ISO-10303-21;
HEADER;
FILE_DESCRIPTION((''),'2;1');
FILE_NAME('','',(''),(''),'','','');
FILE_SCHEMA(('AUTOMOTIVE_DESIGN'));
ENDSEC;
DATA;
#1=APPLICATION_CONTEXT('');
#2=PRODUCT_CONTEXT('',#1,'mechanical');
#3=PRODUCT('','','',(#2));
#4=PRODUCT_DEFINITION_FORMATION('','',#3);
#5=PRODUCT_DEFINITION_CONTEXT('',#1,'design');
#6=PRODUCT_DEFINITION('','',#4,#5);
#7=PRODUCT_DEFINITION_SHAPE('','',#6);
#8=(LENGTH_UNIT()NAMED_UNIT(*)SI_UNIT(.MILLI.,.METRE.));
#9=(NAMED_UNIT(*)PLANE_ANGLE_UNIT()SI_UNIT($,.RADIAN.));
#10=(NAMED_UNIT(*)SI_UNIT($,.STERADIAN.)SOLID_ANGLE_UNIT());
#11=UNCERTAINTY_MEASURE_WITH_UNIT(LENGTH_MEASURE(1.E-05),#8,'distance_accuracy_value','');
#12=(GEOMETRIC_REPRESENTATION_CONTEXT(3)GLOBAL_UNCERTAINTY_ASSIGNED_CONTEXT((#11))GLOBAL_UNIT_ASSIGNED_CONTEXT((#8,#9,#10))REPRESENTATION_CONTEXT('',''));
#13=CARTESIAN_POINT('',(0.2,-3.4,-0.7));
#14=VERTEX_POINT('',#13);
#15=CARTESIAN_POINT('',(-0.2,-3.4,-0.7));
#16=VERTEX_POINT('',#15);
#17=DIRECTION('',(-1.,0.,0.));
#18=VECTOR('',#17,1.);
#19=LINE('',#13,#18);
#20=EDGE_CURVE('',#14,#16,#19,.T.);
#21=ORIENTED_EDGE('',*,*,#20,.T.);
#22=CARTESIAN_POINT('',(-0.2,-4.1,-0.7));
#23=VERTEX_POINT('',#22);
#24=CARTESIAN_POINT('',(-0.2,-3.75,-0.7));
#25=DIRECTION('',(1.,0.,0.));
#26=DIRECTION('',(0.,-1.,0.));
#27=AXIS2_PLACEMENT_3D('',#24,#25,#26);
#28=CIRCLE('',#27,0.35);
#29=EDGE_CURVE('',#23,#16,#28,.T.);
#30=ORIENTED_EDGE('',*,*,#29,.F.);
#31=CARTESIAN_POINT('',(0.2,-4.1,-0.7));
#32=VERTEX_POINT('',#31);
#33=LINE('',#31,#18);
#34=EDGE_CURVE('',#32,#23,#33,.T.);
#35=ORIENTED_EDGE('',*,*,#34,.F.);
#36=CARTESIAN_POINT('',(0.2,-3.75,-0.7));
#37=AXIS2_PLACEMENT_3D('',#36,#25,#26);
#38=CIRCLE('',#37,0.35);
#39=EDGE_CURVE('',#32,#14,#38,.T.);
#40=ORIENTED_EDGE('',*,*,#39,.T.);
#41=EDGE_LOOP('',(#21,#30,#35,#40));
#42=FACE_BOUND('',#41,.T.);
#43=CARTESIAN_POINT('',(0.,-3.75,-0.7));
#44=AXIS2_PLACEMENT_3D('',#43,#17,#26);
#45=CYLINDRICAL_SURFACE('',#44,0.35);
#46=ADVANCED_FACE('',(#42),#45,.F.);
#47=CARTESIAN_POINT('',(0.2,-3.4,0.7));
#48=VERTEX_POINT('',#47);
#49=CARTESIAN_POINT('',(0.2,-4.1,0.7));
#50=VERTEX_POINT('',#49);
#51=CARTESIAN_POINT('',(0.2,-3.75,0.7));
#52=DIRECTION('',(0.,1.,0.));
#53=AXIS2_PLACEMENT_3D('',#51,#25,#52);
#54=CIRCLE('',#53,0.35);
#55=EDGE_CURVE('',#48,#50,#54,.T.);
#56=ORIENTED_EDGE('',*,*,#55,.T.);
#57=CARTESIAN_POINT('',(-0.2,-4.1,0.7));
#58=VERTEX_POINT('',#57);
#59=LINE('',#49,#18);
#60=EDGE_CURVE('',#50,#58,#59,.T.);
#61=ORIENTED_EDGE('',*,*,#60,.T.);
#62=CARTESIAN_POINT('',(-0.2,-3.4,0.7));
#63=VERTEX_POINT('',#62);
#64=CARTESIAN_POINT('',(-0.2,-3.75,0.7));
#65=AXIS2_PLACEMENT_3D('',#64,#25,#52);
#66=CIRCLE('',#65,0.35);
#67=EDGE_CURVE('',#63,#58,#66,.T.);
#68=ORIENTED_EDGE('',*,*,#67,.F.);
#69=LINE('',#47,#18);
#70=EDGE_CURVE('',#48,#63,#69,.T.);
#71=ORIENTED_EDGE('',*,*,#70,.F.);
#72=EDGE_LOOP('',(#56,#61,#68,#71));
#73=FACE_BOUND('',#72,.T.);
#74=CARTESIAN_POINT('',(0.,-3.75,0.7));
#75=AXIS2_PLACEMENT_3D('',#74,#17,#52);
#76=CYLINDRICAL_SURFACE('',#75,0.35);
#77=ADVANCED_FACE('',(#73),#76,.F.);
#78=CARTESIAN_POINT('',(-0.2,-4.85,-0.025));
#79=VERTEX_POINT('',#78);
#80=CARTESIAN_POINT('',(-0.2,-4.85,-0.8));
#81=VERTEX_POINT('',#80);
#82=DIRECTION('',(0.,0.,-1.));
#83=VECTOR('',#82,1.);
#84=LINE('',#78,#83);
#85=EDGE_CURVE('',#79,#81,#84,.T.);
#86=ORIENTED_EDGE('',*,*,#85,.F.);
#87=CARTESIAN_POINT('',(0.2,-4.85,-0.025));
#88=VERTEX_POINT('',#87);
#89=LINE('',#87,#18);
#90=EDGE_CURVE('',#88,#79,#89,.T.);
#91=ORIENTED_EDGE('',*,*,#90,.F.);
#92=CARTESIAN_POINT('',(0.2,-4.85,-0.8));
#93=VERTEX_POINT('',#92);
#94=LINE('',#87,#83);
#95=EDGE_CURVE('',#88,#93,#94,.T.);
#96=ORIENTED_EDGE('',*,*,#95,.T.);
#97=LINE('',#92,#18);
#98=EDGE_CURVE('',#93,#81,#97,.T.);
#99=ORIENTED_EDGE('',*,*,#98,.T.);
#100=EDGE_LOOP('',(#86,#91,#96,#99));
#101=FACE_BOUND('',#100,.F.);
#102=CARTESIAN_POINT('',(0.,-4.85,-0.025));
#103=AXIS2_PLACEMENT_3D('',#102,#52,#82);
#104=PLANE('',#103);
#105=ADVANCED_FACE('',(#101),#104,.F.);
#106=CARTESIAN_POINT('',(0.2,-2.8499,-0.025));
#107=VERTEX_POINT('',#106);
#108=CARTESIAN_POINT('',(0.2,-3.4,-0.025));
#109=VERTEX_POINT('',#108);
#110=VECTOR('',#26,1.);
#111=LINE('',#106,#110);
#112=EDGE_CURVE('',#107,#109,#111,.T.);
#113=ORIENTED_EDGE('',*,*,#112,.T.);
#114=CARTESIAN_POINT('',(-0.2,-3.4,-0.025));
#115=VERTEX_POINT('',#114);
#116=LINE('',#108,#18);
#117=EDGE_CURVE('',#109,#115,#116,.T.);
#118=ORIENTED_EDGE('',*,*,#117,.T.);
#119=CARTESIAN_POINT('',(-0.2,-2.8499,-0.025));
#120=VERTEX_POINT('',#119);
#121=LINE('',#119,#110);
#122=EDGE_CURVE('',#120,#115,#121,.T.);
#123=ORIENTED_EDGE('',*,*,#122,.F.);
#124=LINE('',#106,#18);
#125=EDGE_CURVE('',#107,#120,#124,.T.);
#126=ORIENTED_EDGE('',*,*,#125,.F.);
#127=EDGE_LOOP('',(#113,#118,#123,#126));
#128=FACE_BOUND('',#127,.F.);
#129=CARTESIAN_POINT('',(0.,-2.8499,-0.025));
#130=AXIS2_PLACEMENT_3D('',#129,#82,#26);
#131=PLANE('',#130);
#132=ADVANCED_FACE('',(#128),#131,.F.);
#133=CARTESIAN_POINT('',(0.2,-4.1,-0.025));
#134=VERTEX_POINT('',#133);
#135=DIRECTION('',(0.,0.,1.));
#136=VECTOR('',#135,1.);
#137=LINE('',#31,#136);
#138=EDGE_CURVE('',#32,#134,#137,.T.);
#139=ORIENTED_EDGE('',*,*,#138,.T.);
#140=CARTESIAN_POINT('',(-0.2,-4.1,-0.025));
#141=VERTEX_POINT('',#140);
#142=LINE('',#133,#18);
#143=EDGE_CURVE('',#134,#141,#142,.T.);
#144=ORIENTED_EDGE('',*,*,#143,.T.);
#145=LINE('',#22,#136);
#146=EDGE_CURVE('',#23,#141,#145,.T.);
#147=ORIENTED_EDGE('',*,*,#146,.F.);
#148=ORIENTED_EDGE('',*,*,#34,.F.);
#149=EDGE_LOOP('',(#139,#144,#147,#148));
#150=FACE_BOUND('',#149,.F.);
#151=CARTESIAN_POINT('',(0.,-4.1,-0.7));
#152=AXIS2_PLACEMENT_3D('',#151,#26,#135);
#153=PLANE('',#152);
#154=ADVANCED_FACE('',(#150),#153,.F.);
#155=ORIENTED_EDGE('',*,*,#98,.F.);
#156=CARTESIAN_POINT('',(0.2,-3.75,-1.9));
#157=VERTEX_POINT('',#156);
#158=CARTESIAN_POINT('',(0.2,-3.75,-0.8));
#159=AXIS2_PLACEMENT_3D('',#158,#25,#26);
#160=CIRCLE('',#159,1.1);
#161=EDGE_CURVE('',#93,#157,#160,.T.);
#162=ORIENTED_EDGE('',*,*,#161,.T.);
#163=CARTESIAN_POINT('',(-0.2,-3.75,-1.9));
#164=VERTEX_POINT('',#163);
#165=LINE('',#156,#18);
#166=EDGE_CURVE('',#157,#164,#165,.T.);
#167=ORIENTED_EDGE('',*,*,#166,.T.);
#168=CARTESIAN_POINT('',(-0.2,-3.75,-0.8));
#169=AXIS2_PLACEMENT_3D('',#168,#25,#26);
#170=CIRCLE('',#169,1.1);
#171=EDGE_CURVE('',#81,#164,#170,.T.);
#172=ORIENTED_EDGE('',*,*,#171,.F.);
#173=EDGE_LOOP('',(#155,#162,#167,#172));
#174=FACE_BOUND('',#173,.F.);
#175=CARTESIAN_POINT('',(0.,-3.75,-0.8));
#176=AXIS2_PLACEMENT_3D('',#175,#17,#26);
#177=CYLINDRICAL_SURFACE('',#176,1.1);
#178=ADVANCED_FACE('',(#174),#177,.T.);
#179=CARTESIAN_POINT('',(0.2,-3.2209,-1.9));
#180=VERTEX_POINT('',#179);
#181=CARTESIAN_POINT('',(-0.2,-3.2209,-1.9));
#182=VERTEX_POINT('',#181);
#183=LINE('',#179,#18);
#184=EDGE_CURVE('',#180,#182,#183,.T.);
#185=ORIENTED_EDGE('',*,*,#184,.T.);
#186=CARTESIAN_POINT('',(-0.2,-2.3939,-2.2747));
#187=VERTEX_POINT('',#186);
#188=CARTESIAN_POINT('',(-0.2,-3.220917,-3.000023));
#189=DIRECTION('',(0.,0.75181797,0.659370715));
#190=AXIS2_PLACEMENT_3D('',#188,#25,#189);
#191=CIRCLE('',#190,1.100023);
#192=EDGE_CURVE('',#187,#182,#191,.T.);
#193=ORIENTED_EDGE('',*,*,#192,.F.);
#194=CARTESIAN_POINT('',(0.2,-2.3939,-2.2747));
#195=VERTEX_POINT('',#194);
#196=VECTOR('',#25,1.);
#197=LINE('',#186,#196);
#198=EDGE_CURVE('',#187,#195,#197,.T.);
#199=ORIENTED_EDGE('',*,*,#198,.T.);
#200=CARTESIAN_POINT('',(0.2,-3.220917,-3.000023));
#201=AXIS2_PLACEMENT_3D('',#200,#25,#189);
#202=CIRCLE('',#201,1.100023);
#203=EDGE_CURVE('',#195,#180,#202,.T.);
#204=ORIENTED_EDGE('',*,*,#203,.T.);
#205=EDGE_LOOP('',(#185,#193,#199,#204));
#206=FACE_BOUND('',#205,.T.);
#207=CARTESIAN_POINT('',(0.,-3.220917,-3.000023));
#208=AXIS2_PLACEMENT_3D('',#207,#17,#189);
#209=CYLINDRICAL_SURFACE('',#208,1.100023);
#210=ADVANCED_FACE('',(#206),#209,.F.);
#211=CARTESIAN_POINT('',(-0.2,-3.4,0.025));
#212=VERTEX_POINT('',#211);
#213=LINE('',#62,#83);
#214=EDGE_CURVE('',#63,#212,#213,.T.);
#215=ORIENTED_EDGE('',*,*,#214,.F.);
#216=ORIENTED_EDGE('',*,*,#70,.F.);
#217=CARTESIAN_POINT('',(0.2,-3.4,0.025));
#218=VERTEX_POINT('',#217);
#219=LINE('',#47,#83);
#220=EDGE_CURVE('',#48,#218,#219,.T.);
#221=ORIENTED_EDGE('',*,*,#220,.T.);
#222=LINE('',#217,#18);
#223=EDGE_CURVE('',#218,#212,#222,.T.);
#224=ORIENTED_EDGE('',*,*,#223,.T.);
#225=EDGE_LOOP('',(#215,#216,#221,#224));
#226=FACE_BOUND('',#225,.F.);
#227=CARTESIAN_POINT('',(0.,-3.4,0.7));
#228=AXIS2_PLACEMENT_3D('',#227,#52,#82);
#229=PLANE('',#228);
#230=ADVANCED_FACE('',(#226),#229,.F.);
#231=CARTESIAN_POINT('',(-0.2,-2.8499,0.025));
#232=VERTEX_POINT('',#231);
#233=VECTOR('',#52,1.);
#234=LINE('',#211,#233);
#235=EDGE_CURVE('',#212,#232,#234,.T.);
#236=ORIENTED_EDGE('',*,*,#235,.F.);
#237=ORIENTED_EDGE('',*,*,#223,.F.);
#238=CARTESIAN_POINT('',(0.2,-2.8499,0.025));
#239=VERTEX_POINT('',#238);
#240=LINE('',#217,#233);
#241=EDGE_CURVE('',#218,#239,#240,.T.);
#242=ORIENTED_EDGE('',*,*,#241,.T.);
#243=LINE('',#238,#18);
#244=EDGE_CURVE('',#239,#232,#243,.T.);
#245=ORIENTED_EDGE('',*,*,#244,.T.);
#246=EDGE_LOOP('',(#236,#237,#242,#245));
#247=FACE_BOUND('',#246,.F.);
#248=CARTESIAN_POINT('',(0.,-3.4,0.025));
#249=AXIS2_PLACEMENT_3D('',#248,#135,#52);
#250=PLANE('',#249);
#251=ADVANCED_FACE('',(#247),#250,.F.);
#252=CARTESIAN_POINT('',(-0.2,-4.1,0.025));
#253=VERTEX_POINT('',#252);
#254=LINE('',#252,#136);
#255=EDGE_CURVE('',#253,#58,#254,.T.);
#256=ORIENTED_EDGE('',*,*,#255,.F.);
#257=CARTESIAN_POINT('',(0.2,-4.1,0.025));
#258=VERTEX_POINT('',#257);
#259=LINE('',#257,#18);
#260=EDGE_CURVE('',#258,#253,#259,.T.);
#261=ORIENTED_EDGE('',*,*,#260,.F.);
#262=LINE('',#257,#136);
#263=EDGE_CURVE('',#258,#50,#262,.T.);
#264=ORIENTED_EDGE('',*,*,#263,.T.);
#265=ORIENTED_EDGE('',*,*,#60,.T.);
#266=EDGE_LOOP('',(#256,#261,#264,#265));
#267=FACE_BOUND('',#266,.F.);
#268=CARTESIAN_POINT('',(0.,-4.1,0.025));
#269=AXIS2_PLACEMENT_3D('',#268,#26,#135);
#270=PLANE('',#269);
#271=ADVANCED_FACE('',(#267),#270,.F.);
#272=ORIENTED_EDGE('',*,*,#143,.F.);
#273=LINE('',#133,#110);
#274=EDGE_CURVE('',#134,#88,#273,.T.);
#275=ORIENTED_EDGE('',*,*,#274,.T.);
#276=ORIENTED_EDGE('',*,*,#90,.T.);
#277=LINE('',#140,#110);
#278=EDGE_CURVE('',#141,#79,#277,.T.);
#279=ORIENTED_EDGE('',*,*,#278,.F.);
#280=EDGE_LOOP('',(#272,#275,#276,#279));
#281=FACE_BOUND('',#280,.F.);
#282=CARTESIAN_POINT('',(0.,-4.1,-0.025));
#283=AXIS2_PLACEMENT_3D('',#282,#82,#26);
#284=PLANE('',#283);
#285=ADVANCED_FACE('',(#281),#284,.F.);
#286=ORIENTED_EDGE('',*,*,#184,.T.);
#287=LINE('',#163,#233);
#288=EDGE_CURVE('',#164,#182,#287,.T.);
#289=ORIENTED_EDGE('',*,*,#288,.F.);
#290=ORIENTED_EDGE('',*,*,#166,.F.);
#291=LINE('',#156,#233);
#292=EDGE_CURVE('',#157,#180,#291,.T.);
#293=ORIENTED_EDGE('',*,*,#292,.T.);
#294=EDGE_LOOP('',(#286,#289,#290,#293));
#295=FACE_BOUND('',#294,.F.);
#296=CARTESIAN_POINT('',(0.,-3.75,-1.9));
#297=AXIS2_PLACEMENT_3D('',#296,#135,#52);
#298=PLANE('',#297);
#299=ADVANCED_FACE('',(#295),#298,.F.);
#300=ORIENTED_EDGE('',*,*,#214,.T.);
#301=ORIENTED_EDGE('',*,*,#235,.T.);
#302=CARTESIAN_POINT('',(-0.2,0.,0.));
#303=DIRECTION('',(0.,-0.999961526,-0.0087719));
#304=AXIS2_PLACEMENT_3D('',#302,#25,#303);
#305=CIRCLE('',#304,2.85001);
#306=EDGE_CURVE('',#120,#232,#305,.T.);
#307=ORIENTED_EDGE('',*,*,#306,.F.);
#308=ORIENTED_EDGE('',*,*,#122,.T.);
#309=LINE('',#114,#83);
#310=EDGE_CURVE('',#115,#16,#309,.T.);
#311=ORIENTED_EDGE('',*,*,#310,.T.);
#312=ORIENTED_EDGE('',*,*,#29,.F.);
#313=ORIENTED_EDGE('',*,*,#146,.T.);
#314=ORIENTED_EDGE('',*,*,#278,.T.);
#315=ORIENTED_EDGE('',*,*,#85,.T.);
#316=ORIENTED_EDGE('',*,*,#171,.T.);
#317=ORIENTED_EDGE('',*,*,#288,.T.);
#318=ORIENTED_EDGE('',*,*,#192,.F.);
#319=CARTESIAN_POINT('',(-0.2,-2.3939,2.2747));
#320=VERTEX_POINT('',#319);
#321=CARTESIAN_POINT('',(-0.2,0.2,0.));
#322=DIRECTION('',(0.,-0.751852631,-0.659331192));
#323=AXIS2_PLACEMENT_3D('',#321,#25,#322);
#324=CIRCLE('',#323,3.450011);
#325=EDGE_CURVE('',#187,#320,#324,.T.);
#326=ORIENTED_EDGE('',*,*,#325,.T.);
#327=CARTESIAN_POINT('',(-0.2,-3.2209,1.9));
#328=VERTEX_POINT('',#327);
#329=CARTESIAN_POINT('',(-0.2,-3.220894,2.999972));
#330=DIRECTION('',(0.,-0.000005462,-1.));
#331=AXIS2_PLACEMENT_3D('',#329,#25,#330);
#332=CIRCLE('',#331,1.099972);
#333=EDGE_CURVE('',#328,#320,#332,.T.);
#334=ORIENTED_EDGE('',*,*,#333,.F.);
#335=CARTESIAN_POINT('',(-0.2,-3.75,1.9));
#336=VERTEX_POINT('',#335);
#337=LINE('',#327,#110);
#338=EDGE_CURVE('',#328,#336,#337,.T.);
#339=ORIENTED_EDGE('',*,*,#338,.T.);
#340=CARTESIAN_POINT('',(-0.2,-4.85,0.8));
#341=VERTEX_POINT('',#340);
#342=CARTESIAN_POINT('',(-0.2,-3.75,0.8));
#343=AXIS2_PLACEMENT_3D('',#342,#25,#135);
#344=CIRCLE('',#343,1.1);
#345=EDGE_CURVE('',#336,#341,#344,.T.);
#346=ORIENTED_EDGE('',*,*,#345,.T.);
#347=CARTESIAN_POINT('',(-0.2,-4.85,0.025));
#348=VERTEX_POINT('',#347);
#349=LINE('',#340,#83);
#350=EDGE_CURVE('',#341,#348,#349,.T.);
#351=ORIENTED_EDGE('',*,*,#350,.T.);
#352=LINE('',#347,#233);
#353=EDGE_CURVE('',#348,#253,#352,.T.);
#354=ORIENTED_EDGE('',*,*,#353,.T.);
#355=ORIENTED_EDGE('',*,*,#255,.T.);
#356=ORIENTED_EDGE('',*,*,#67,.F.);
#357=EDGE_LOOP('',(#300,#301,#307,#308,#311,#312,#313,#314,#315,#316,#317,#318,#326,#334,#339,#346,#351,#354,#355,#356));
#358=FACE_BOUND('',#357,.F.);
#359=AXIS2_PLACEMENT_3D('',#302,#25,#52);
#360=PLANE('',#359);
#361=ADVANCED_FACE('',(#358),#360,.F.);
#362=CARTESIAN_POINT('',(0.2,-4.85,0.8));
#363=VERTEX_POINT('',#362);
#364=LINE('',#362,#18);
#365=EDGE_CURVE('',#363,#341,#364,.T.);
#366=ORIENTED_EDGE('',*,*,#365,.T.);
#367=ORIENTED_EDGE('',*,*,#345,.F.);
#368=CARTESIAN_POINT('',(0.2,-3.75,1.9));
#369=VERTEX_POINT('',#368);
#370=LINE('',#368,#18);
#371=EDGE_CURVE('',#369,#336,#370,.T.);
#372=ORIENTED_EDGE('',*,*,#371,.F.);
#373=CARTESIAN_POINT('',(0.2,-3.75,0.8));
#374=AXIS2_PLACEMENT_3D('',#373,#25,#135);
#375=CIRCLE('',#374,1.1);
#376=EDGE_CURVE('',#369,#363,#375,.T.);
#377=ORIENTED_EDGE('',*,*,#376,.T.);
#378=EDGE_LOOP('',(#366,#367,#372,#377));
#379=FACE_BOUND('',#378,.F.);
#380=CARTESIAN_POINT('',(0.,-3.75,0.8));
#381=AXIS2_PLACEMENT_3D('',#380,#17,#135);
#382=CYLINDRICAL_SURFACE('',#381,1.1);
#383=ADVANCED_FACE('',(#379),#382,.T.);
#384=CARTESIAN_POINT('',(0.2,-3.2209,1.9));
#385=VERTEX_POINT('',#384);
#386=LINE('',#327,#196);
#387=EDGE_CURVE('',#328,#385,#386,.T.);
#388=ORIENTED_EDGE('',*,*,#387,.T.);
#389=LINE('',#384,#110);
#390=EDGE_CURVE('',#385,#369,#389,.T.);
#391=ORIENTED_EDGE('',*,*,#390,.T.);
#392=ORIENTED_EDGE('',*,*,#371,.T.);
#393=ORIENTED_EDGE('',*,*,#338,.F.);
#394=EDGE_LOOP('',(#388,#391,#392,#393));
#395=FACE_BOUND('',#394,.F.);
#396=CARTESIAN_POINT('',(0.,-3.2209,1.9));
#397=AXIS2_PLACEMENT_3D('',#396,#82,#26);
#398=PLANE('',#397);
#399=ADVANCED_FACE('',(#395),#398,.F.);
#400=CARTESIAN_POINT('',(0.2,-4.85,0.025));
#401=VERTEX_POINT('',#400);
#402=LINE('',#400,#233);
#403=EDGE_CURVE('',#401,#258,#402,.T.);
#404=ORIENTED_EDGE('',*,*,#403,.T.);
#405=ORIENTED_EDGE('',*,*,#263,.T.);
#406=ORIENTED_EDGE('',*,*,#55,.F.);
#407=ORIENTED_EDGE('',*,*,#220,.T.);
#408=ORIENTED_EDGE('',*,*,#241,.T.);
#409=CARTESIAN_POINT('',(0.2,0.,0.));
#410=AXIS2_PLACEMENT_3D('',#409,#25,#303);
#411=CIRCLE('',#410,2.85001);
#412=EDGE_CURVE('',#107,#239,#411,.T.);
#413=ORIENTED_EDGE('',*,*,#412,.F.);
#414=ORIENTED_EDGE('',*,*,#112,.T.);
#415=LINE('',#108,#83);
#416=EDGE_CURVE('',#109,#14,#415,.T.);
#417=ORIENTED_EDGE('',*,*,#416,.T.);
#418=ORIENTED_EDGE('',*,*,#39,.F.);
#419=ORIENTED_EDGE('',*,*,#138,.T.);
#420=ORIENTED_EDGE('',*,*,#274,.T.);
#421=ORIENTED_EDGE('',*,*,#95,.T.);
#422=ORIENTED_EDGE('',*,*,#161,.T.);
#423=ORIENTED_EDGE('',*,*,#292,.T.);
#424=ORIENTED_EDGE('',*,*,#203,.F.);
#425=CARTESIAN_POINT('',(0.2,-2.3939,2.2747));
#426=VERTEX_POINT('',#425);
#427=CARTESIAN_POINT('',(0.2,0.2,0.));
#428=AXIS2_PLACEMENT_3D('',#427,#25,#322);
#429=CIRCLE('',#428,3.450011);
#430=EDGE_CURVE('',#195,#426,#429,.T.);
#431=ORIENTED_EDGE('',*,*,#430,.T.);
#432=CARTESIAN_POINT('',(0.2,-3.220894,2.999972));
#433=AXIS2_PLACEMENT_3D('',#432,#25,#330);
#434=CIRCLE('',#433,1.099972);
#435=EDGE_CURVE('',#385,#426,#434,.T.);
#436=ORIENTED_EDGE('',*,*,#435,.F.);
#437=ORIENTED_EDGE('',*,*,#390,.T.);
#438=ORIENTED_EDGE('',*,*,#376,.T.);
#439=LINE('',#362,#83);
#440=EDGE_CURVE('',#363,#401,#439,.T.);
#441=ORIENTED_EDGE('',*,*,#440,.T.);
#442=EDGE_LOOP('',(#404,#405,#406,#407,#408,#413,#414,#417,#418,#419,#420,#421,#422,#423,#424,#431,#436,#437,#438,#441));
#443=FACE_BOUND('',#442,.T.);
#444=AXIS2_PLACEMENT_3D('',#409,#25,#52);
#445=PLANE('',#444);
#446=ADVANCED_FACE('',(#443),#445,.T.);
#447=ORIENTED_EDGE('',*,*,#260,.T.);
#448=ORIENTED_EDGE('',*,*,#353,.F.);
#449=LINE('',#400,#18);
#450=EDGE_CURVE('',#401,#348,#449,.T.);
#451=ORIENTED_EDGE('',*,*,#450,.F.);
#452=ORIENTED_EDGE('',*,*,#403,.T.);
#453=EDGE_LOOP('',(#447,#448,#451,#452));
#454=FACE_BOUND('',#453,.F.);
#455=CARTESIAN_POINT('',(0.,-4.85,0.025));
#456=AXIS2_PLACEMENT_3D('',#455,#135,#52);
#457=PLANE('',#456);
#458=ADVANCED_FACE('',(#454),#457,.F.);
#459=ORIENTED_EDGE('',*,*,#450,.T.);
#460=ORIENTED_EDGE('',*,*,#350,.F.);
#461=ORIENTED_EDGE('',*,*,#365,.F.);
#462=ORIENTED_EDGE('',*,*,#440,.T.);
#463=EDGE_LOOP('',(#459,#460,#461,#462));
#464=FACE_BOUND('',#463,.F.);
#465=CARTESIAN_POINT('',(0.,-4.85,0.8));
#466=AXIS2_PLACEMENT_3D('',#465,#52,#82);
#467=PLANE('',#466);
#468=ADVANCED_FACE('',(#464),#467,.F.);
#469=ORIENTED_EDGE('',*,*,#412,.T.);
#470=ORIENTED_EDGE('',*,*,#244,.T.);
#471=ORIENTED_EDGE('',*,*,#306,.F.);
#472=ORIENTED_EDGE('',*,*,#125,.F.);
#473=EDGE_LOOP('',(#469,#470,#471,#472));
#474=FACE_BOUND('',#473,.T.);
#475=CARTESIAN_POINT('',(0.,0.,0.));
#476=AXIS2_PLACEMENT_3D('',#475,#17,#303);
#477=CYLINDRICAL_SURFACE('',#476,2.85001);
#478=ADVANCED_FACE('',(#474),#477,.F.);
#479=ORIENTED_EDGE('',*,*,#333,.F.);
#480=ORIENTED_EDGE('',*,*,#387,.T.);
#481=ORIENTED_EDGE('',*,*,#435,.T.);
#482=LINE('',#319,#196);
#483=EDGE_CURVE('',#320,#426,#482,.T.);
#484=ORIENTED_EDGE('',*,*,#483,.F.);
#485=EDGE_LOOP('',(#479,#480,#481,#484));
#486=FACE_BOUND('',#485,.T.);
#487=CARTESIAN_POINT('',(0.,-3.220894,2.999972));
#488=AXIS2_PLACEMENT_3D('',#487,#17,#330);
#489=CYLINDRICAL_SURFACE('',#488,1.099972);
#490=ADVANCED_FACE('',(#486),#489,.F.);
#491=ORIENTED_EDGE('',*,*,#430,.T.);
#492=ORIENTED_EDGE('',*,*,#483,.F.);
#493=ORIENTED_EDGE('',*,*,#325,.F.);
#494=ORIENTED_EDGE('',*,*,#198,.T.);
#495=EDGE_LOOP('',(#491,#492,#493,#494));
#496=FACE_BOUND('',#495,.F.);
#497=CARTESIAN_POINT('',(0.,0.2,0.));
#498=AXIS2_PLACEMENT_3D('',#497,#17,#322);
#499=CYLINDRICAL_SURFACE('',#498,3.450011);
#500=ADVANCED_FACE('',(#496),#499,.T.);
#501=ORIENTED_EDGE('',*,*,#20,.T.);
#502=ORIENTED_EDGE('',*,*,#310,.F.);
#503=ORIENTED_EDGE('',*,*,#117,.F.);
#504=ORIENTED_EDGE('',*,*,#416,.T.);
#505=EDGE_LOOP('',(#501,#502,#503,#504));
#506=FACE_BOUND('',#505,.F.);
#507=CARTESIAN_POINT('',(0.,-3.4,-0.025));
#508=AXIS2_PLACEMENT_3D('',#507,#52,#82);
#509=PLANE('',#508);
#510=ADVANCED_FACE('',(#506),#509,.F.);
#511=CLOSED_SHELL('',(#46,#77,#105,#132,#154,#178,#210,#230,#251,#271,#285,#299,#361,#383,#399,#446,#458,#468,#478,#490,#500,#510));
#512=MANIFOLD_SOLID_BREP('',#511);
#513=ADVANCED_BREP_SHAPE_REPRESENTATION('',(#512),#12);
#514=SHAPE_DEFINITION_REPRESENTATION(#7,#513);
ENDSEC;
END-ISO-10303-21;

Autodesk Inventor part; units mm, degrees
sketch "Sketch_5" plane through (0, 0, 0) normal (1, 0, 0) x (0, 1, 0)
  arc A0 (-2.3939, -2.2747) -> (-2.3939, 2.2747) centre (0.2, 0) ccw
  arc A1 (-3.2209, 1.9) -> (-2.3939, 2.2747) centre (-3.2209, 3) ccw
  line L0 (-3.2209, 1.9) -> (-3.75, 1.9)
  arc A2 (-3.75, 1.9) -> (-4.85, 0.8) centre (-3.75, 0.8) ccw
  line L1 (-4.85, 0.8) -> (-4.85, 0.025)
  line L2 (-4.85, 0.025) -> (-4.1, 0.025)
  line L3 (-4.1, 0.025) -> (-4.1, 0.7)
  arc A3 (-3.4, 0.7) -> (-4.1, 0.7) centre (-3.75, 0.7) ccw
  line L4 (-3.4, 0.7) -> (-3.4, 0.025)
  line L5 (-3.4, 0.025) -> (-2.8499, 0.025)
  arc A4 (-2.8499, -0.025) -> (-2.8499, 0.025) centre (0, 0) ccw
  line L6 (-2.8499, -0.025) -> (-3.4, -0.025)
  line L7 (-3.4, -0.025) -> (-3.4, -0.7)
  arc A5 (-4.1, -0.7) -> (-3.4, -0.7) centre (-3.75, -0.7) ccw
  line L8 (-4.1, -0.7) -> (-4.1, -0.025)
  line L9 (-4.1, -0.025) -> (-4.85, -0.025)
  line L10 (-4.85, -0.025) -> (-4.85, -0.8)
  arc A6 (-4.85, -0.8) -> (-3.75, -1.9) centre (-3.75, -0.8) ccw
  line L11 (-3.75, -1.9) -> (-3.2209, -1.9)
  arc A7 (-2.3939, -2.2747) -> (-3.2209, -1.9) centre (-3.2209, -3) ccw
extrude "Extrusion1" add sketch "Sketch_5" along normal mid plane 0.4
ref_plane "1_XY" through (0, 0, 0) normal (1, 0, 0) x (0, 0, -1)
ref_plane "1_YZ" through (0, 0, 0) normal (0, 0, -1) x (0, 1, 0)
ref_plane "1_ZX" through (0, 0, 0) normal (0, 1, 0) x (1, 0, 0)
ref_plane "combination_module_XY" through (0.2, 0, 0) normal (1, 0, 0) x (0, 0, -1)
ref_plane "combination_module_YZ" through (0.2, 0, 0) normal (0, 0, -1) x (0, 1, 0)
ref_plane "combination_module_ZX" through (0.2, 0, 0) normal (0, 1, 0) x (1, 0, 0)
properties part number "SL-STWS6"
